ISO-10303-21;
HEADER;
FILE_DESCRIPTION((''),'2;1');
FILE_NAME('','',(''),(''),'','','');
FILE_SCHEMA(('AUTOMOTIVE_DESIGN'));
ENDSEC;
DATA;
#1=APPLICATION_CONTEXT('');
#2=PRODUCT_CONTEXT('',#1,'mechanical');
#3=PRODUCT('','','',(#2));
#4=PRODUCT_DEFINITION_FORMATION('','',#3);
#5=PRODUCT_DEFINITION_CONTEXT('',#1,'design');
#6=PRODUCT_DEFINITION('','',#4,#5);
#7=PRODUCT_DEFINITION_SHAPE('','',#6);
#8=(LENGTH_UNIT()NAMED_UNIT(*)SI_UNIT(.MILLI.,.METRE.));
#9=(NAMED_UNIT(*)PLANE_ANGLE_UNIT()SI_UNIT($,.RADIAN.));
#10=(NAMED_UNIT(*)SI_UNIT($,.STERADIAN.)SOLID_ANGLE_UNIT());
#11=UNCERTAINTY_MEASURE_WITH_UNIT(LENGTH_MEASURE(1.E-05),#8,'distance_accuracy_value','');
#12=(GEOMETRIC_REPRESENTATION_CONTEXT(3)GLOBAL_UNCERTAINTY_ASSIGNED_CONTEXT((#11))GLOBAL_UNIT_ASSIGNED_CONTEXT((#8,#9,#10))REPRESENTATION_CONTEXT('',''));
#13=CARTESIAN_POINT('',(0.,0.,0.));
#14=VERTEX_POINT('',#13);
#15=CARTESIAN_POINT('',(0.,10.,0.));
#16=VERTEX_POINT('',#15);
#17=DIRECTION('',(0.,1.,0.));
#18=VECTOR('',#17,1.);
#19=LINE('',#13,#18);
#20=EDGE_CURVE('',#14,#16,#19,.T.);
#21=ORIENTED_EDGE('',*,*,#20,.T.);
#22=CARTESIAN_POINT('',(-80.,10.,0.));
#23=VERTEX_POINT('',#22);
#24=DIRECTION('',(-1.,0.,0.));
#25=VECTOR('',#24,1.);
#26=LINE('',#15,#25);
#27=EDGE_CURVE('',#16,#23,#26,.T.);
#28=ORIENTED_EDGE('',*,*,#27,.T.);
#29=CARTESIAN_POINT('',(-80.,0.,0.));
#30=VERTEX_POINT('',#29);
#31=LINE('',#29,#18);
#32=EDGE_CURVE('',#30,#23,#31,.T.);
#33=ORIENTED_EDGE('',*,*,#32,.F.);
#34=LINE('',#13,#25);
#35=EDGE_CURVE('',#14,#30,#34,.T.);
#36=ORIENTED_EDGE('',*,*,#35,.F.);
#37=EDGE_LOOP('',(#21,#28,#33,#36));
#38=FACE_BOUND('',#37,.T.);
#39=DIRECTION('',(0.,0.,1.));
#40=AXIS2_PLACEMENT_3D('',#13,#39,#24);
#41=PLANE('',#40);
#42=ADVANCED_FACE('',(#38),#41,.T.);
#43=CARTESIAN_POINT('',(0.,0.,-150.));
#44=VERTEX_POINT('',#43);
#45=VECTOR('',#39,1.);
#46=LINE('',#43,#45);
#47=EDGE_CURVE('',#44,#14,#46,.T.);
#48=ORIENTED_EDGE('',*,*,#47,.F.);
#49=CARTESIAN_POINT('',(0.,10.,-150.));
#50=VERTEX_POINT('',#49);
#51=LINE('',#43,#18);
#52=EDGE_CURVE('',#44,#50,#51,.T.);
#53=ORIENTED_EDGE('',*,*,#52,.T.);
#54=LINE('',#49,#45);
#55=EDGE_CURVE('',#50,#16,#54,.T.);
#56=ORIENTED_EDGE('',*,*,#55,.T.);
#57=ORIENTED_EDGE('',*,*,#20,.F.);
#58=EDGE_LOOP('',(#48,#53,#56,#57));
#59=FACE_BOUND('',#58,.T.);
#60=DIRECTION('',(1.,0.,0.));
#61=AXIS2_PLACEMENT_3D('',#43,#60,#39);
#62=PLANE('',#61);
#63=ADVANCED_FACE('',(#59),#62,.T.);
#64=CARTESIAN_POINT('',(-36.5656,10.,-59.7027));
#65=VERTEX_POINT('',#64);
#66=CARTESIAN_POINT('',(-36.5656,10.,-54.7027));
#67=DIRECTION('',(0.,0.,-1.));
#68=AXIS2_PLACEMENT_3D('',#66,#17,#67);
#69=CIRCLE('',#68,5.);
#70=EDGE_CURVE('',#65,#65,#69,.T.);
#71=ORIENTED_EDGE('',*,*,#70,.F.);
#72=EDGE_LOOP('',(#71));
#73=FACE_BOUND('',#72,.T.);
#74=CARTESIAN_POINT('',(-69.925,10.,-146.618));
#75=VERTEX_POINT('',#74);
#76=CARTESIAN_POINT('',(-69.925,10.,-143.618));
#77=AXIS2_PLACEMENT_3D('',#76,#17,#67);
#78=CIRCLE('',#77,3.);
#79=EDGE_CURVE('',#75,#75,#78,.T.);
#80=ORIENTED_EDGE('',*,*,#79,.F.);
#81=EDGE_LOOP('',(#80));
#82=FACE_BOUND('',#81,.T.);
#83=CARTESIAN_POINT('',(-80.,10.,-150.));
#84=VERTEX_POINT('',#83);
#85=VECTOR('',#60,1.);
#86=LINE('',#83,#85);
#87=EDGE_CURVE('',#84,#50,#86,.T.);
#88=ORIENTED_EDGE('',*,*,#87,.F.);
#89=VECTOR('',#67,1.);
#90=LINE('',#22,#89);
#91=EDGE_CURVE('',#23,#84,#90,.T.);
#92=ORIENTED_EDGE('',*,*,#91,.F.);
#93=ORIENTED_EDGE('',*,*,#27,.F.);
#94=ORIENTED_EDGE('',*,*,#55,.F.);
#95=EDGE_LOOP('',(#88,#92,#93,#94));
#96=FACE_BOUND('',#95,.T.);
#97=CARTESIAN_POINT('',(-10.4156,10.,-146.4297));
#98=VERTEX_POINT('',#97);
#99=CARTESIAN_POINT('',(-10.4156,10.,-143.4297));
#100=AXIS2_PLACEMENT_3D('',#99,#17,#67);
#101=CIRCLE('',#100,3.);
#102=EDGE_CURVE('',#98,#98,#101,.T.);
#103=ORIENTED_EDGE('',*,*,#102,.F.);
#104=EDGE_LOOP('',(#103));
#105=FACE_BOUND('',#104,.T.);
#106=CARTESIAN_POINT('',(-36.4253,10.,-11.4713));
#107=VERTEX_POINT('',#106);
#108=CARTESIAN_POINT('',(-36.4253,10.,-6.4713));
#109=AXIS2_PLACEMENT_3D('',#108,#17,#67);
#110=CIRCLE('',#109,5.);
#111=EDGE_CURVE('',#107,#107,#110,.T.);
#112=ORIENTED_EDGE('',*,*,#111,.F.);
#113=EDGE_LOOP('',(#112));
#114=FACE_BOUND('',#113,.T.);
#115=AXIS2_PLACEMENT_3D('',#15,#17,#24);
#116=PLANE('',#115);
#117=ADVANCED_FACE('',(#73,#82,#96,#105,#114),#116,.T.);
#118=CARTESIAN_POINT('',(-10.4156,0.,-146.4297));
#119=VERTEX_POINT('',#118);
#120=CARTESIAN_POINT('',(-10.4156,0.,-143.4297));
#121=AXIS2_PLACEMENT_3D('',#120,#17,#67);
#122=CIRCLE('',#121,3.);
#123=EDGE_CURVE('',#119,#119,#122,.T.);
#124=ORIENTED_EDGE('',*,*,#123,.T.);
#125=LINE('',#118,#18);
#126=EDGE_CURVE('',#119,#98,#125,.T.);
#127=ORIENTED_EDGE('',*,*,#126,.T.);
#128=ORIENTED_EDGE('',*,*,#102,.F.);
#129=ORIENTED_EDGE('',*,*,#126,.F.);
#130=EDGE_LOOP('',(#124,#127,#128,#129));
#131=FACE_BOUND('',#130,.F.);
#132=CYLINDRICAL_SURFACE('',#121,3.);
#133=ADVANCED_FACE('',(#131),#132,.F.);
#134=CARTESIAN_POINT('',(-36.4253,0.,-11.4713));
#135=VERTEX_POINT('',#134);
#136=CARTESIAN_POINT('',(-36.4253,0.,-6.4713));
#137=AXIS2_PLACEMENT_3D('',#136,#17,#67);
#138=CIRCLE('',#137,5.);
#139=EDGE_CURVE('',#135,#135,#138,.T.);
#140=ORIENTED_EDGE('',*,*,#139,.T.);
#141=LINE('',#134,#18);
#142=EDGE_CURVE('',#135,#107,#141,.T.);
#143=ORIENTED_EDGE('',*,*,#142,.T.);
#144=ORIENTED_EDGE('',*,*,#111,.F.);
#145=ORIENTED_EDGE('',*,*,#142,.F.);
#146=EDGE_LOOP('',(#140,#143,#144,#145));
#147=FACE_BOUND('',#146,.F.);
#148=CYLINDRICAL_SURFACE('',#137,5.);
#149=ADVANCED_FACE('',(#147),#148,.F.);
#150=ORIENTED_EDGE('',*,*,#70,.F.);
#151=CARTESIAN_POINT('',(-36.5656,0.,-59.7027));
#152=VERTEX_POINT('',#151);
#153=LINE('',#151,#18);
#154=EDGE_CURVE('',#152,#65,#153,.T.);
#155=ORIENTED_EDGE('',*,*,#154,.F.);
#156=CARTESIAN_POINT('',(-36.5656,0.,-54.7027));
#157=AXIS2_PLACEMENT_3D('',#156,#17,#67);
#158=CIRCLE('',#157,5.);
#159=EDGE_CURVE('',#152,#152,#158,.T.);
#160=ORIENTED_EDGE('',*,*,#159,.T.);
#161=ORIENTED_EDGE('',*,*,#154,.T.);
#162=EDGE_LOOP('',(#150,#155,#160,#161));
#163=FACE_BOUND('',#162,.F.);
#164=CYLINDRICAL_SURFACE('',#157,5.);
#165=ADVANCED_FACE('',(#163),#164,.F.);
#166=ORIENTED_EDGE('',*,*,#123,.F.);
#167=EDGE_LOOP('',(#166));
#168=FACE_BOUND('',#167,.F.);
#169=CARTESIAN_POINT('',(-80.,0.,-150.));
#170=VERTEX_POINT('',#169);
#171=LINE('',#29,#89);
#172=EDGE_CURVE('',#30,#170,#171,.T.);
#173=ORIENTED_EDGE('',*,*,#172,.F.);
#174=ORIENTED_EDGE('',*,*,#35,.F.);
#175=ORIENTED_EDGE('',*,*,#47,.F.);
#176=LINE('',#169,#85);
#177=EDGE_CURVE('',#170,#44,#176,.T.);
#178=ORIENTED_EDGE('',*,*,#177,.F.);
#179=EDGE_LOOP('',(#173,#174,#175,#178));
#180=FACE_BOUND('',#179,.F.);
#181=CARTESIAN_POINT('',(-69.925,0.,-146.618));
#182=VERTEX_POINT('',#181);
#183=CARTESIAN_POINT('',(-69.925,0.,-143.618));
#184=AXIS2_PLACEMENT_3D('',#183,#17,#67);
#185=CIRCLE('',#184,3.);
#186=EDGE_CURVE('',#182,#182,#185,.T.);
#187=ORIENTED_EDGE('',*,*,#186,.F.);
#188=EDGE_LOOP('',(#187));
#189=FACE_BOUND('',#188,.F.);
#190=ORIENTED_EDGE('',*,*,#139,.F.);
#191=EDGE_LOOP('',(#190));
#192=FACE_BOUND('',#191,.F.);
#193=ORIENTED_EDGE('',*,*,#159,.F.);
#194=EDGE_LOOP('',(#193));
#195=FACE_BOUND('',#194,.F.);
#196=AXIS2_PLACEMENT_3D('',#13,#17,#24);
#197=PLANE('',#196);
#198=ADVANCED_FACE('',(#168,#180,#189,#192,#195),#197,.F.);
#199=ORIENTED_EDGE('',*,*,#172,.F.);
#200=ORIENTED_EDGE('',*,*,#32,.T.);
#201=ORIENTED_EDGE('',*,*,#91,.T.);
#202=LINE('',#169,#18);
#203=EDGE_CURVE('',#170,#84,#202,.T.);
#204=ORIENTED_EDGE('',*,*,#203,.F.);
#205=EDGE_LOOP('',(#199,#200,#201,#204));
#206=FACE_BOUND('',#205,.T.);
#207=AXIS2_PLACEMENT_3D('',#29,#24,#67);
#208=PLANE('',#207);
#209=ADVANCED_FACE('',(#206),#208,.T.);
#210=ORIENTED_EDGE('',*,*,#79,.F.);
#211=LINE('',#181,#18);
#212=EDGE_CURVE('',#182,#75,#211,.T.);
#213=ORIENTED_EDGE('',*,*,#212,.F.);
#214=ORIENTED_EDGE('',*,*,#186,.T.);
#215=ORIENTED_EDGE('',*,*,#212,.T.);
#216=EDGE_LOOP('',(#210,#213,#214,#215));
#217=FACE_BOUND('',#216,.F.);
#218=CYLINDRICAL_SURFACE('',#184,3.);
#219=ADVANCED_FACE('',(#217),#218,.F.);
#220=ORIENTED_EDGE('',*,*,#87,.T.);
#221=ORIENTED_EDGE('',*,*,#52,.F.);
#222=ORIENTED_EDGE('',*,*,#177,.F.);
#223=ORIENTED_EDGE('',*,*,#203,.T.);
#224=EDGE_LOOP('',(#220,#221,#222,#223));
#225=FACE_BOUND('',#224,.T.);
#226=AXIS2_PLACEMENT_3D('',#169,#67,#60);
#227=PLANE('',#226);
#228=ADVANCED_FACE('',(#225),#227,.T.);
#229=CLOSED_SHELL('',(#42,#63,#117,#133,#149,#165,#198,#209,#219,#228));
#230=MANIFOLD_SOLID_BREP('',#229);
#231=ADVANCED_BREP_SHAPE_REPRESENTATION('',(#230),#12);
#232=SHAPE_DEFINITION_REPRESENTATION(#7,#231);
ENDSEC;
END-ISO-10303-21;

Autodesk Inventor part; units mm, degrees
ref_plane "YZ Plane" through (0, 0, 0) normal (1, 0, 0) x (0, 1, 0)
ref_plane "XZ Plane" through (0, 0, 0) normal (0, 1, 0) x (-1, 0, 0)
ref_plane "XY Plane" through (0, 0, 0) normal (0, 0, 1) x (1, 0, 0)
sketch "Sketch1" plane through (0, 0, 0) normal (0, 1, 0) x (-1, 0, 0)
  line L0 (0, 0) -> (80, 0)
  line L1 (80, 0) -> (80, -150)
  line L2 (80, -150) -> (0, -150)
  line L3 (0, -150) -> (0, 0)
  dimension "d0" = 80
  dimension "d1" = 150
extrude "Extrusion1" add sketch "Sketch1" along normal blind 10
sketch "Sketch2" plane through (0, 0, 0) normal (0, -1, 0) x (1, 0, 0)
  point P0 (0, 0)
  point P1 (-10.4156, -143.4297)
  point P2 (-69.925, -143.618)
hole "Hole1" at (-10.4156, 0, -143.4297) at (-69.925, 0, -143.618) direction (0, 1, 0) diameter 6 end through all
sketch "Sketch3" plane through (0, 0, 0) normal (0, -1, 0) x (1, 0, 0)
  point P0 (0, 0)
  point P1 (-36.5656, -54.7027)
  point P2 (-36.4253, -6.4713)
hole "Hole2" at (-36.5656, 0, -54.7027) at (-36.4253, 0, -6.4713) direction (0, 1, 0) diameter 10 end through all
